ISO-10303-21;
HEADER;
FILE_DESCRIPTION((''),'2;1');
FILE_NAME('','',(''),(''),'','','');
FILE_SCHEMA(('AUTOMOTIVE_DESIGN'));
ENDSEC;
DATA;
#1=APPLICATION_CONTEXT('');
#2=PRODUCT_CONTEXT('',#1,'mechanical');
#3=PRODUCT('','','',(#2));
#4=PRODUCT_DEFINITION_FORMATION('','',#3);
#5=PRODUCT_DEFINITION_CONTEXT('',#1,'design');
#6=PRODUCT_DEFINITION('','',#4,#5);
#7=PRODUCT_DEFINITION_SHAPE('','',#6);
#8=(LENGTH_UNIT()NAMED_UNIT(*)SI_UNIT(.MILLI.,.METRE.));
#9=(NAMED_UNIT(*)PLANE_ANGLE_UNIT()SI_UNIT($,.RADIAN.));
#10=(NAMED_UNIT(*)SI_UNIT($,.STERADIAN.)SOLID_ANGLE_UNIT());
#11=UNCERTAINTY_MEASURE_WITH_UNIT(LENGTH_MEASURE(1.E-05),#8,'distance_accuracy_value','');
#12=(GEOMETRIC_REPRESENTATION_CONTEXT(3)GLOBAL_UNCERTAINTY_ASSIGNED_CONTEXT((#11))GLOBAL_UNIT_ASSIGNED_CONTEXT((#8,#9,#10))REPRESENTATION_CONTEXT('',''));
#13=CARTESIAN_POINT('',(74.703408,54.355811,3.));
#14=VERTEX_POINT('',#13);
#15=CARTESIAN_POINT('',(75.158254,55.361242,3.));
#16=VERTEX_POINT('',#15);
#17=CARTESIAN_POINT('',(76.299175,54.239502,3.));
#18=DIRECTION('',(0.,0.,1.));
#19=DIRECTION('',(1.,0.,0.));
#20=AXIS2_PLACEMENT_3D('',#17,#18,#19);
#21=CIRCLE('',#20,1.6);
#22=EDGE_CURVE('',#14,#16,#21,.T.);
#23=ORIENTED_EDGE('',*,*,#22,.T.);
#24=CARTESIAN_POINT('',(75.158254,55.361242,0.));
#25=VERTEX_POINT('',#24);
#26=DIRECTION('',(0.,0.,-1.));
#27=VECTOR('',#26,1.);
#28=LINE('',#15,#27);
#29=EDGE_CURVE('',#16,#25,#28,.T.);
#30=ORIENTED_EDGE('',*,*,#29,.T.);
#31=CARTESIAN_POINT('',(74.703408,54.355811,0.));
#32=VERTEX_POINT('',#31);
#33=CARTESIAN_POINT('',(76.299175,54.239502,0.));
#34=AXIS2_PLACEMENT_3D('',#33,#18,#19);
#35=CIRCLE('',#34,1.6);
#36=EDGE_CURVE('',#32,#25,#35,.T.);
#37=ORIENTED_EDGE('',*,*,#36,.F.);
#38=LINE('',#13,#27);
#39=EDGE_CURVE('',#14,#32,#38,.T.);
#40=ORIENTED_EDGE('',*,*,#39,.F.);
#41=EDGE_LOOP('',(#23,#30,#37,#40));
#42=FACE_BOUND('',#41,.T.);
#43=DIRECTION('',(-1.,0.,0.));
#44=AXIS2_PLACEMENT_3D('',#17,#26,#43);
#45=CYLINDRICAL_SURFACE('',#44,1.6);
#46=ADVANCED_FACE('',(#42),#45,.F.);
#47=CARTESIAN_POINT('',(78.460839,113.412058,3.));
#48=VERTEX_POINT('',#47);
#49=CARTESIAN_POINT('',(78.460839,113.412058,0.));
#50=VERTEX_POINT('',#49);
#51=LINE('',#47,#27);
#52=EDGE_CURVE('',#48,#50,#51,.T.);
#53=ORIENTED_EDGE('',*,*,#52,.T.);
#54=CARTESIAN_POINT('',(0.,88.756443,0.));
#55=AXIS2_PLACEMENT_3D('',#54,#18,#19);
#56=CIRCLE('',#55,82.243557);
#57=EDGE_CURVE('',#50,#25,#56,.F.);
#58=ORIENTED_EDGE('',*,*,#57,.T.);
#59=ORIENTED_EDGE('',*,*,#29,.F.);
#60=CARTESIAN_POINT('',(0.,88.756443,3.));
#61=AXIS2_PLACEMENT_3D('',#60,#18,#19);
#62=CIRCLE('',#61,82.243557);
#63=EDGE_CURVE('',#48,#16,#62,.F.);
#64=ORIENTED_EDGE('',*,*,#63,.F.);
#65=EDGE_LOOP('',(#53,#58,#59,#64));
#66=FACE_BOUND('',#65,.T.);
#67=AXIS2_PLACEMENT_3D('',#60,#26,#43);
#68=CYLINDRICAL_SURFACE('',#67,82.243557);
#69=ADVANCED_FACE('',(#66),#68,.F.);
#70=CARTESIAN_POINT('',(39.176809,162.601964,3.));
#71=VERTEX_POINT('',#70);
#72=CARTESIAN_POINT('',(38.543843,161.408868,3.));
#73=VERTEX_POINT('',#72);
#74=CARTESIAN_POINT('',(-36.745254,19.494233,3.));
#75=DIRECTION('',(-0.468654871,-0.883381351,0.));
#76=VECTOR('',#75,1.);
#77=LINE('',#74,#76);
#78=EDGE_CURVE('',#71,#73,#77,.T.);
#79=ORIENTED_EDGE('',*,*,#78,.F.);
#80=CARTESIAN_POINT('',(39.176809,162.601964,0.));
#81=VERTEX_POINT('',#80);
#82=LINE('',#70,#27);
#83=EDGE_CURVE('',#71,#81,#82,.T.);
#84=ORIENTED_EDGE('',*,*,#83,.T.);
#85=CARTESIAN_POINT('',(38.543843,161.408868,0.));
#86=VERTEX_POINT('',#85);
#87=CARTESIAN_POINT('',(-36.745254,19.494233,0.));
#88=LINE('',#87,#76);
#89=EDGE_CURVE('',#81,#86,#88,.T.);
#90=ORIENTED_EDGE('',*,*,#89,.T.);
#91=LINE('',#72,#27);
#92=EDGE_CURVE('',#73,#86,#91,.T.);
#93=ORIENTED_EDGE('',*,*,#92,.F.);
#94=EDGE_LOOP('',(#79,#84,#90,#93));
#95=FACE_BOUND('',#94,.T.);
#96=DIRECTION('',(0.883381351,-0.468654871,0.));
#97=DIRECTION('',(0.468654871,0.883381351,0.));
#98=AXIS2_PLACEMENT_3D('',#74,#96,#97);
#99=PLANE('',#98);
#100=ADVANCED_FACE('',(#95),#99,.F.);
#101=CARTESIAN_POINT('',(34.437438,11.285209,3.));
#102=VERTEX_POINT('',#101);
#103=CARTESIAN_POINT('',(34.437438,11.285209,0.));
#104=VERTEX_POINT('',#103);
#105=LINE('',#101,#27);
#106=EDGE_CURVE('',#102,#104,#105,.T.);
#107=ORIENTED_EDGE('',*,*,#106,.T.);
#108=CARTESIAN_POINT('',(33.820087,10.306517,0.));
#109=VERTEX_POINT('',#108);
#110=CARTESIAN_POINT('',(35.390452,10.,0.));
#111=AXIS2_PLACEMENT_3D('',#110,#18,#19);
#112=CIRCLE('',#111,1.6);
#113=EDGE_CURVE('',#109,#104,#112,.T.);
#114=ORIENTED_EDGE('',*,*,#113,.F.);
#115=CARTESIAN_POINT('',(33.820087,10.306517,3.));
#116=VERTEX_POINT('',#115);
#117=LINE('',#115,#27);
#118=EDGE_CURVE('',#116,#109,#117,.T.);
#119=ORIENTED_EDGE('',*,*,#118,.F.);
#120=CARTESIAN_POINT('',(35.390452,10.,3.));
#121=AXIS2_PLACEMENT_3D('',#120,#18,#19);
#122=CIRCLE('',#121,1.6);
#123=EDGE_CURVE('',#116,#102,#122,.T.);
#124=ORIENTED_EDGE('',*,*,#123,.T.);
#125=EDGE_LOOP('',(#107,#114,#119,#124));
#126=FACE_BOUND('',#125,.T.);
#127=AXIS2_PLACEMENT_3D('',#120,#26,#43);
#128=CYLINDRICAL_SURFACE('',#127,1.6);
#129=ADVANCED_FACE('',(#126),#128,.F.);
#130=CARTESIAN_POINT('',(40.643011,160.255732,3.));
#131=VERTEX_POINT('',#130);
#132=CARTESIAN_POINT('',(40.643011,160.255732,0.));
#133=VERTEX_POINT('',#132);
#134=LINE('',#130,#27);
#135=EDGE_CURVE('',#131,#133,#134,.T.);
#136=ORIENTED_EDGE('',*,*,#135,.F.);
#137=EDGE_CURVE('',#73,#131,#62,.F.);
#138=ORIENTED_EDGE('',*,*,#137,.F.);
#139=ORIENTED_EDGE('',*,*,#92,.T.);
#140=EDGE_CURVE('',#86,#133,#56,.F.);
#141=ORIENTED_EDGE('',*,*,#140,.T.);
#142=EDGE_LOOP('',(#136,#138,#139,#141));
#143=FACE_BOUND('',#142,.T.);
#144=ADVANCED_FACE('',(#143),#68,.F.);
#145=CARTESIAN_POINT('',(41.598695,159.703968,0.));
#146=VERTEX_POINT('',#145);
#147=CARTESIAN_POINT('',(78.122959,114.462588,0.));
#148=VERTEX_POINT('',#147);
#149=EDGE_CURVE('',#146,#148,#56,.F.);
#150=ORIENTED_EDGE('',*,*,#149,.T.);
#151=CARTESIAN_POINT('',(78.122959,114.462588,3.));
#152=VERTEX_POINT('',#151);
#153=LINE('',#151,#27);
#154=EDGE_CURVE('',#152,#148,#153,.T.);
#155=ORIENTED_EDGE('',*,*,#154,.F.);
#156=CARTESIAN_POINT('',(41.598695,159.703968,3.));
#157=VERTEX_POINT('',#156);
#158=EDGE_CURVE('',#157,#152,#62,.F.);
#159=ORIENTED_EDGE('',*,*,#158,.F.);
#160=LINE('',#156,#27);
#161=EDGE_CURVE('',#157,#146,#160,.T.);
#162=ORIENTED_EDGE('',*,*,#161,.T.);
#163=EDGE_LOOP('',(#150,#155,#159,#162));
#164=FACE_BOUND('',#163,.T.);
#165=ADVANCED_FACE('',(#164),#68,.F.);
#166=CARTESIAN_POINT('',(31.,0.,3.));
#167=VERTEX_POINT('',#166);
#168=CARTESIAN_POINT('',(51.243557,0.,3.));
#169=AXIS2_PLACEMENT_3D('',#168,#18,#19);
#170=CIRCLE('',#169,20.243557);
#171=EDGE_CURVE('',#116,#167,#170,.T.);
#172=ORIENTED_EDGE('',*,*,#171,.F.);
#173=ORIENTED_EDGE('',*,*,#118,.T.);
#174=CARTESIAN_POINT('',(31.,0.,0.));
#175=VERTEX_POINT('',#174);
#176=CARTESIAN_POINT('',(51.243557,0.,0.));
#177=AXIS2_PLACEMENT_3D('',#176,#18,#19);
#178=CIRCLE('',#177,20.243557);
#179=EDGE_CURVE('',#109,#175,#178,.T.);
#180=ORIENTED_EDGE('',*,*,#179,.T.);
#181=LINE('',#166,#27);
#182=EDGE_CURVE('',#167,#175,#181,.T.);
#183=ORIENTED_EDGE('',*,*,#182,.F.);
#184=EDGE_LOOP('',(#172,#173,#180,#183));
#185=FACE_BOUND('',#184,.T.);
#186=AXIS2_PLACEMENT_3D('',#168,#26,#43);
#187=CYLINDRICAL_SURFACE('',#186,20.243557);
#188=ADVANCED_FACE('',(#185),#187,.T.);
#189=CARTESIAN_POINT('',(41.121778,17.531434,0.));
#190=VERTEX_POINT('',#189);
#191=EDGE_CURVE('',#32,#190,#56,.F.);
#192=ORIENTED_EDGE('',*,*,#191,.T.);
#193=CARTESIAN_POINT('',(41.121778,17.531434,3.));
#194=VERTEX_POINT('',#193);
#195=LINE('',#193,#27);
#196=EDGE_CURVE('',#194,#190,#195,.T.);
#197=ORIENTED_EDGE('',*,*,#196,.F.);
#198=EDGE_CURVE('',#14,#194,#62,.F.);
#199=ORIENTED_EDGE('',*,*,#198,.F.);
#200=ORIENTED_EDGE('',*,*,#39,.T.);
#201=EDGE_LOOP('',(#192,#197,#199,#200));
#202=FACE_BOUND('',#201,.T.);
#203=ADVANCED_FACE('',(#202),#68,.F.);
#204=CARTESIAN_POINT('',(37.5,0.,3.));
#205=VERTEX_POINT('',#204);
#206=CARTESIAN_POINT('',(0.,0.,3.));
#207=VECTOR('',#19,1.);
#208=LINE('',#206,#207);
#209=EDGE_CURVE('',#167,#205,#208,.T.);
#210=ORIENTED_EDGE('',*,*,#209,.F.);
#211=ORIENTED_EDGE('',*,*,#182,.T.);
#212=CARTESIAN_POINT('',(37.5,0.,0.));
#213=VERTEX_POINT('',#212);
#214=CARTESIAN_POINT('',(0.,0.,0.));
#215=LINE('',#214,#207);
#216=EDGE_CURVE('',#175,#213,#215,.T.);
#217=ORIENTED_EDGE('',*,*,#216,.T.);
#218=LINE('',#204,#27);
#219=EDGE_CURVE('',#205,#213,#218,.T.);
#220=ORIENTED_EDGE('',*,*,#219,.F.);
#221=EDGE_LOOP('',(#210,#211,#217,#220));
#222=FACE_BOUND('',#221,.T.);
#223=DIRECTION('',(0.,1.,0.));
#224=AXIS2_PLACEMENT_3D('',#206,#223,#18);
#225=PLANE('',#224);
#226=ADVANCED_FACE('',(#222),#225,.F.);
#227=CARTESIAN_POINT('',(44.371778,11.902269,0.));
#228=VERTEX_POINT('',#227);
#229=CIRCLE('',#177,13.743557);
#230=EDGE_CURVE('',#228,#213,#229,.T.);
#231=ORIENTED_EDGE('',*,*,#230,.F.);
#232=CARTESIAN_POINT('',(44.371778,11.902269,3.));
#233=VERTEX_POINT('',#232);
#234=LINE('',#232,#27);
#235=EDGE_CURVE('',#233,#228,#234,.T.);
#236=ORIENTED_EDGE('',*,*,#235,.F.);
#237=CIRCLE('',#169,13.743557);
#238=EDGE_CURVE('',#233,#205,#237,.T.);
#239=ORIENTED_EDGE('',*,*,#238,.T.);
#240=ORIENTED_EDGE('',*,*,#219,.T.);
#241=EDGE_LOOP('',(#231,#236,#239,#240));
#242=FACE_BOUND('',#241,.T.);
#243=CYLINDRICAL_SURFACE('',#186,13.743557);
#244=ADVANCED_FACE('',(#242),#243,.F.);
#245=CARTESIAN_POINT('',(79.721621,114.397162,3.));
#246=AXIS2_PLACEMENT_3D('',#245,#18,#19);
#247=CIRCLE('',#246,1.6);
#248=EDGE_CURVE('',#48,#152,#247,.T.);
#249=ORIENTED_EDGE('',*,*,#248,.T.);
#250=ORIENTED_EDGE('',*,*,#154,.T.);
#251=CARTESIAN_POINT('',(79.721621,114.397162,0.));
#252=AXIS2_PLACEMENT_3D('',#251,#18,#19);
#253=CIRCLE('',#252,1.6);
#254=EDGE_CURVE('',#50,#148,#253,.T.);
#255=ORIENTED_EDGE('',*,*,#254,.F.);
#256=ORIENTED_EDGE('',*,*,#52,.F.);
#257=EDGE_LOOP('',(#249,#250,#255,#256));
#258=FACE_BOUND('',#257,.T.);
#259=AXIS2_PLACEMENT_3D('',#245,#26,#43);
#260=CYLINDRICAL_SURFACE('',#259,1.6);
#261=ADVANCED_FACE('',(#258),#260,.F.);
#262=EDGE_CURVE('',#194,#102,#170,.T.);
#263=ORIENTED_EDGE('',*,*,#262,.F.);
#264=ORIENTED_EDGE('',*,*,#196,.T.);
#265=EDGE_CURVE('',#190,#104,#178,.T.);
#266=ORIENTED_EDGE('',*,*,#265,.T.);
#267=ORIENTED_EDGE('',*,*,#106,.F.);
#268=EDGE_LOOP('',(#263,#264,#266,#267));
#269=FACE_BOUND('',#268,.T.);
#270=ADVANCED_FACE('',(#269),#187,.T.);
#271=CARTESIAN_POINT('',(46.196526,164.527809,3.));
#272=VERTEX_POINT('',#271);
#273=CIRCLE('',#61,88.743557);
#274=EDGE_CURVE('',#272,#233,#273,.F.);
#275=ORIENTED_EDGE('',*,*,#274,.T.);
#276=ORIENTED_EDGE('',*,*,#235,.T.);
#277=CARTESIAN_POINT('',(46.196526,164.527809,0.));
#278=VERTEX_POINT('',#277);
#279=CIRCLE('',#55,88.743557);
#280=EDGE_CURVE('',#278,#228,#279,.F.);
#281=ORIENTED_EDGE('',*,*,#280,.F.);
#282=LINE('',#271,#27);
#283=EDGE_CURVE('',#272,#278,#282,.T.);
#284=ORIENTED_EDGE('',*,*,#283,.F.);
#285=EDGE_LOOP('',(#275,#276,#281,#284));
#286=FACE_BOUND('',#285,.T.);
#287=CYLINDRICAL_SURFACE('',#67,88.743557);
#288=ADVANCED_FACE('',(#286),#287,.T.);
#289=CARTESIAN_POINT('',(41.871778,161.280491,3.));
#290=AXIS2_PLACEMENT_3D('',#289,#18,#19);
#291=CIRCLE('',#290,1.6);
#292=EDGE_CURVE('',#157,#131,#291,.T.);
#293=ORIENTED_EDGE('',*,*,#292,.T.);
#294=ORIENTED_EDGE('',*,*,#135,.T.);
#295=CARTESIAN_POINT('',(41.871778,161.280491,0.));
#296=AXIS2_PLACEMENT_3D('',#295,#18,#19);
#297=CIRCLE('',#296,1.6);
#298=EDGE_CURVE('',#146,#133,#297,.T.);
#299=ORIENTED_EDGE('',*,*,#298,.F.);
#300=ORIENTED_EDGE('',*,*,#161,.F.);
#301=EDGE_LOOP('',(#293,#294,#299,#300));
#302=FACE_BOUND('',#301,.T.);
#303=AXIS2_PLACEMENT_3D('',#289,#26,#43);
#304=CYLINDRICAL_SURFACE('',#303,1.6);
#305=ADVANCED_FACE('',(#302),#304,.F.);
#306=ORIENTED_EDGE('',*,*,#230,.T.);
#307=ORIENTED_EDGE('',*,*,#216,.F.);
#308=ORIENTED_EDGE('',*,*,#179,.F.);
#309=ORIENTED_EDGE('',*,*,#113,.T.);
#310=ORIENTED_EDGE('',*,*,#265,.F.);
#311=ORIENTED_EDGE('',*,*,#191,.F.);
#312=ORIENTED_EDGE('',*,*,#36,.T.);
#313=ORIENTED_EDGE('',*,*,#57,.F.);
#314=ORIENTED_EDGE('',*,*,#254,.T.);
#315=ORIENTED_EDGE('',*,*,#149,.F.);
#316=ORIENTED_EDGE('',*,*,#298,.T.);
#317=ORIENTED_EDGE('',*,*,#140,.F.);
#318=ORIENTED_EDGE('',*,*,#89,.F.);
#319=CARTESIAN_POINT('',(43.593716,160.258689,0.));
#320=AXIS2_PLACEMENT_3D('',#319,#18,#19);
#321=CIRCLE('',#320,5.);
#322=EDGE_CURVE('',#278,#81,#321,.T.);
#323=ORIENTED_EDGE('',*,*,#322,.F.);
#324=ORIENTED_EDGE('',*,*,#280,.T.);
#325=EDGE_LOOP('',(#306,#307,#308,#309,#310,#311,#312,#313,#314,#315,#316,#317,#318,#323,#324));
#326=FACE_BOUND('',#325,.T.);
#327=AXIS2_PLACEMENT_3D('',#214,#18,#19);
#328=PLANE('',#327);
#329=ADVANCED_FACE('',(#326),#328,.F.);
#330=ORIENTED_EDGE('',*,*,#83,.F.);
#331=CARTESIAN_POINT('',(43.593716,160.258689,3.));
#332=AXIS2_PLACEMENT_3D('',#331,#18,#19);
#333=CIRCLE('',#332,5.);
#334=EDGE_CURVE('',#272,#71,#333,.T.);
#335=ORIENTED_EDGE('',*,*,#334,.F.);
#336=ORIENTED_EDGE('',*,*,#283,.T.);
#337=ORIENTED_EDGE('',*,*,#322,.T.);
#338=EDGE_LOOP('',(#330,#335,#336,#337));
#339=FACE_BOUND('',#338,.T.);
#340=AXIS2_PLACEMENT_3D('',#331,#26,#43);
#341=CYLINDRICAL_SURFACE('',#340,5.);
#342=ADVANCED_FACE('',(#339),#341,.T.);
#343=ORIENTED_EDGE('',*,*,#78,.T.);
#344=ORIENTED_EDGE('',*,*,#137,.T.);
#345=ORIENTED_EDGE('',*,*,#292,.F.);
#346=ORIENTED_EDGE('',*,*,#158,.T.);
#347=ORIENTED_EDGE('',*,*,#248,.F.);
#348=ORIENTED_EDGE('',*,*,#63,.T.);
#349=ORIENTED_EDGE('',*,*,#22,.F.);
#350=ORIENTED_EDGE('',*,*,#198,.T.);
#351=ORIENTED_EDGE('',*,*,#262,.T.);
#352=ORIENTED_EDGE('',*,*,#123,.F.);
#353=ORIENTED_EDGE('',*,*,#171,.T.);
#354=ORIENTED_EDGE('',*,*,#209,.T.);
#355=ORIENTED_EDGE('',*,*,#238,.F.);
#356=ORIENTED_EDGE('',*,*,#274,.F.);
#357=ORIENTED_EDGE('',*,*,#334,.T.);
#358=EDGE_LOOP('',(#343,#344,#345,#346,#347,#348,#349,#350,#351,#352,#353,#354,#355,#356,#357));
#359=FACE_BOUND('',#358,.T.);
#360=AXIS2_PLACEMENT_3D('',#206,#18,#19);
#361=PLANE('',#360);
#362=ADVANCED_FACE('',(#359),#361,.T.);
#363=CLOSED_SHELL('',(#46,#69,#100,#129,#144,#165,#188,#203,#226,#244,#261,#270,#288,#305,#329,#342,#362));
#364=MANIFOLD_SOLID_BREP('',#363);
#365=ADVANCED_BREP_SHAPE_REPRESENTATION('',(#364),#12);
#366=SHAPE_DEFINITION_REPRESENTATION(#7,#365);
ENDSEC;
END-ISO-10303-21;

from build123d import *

# Parameters (mm, degrees)
BOSS_EXTRUDE1_DEPTH = 3


with BuildPart() as part:
    # Sketch1 → Boss-Extrude1 (new body)
    with BuildSketch(Plane.XY):
        with BuildLine():
            ThreePointArc((33.820087007, 10.306516907), (31.717745776, 5.342686157), (31, 0))
            Line((31, 0), (37.5, 0))
            ThreePointArc((37.5, 0), (39.341287437, 6.871778265), (44.371778265, 11.902269093))
            ThreePointArc((44.371778265, 11.902269093), (88.737214743, 87.695526288), (46.196526291, 164.52780867))
            ThreePointArc((46.196526291, 164.52780867), (42.270857001, 165.080519331), (39.176809364, 162.60196377))
            Line((39.176809364, 162.60196377), (38.543843383, 161.408867573))
            ThreePointArc((38.543843383, 161.408867573), (39.597624954, 160.839941503), (40.643010869, 160.255731986))
            ThreePointArc((40.643010869, 160.255731986), (41.32681397, 162.784822546), (43.471778265, 161.280490828))
            ThreePointArc((43.471778265, 161.280490828), (42.902085601, 160.056372046), (41.598694773, 159.703967626))
            ThreePointArc((41.598694773, 159.703967626), (63.992298043, 140.41869644), (78.122959048, 114.462587877))
            ThreePointArc((78.122959048, 114.462587877), (79.754340696, 115.996827193), (81.321620809, 114.397161787))
            ThreePointArc((81.321620809, 114.397161787), (80.242557038, 112.884341426), (78.460839002, 113.41205812))
            ThreePointArc((78.460839002, 113.41205812), (82.110783268, 84.085055904), (75.158253764, 55.361241991))
            ThreePointArc((75.158253764, 55.361241991), (76.905197137, 55.720291583), (77.899174561, 54.239502389))
            ThreePointArc((77.899174561, 54.239502389), (76.240981534, 52.640560998), (74.703407596, 54.355811439))
            ThreePointArc((74.703407596, 54.355811439), (60.769047297, 33.338707308), (41.121778265, 17.531434218))
            ThreePointArc((41.121778265, 17.531434218), (37.422133199, 14.790870093), (34.437437632, 11.285209284))
            ThreePointArc((34.437437632, 11.285209284), (36.109888407, 11.429129733), (36.990452374, 10))
            ThreePointArc((36.990452374, 10), (35.236479303, 8.407425891), (33.820087007, 10.306516907))
        make_face()
    extrude(amount=BOSS_EXTRUDE1_DEPTH)


solid = part.part
